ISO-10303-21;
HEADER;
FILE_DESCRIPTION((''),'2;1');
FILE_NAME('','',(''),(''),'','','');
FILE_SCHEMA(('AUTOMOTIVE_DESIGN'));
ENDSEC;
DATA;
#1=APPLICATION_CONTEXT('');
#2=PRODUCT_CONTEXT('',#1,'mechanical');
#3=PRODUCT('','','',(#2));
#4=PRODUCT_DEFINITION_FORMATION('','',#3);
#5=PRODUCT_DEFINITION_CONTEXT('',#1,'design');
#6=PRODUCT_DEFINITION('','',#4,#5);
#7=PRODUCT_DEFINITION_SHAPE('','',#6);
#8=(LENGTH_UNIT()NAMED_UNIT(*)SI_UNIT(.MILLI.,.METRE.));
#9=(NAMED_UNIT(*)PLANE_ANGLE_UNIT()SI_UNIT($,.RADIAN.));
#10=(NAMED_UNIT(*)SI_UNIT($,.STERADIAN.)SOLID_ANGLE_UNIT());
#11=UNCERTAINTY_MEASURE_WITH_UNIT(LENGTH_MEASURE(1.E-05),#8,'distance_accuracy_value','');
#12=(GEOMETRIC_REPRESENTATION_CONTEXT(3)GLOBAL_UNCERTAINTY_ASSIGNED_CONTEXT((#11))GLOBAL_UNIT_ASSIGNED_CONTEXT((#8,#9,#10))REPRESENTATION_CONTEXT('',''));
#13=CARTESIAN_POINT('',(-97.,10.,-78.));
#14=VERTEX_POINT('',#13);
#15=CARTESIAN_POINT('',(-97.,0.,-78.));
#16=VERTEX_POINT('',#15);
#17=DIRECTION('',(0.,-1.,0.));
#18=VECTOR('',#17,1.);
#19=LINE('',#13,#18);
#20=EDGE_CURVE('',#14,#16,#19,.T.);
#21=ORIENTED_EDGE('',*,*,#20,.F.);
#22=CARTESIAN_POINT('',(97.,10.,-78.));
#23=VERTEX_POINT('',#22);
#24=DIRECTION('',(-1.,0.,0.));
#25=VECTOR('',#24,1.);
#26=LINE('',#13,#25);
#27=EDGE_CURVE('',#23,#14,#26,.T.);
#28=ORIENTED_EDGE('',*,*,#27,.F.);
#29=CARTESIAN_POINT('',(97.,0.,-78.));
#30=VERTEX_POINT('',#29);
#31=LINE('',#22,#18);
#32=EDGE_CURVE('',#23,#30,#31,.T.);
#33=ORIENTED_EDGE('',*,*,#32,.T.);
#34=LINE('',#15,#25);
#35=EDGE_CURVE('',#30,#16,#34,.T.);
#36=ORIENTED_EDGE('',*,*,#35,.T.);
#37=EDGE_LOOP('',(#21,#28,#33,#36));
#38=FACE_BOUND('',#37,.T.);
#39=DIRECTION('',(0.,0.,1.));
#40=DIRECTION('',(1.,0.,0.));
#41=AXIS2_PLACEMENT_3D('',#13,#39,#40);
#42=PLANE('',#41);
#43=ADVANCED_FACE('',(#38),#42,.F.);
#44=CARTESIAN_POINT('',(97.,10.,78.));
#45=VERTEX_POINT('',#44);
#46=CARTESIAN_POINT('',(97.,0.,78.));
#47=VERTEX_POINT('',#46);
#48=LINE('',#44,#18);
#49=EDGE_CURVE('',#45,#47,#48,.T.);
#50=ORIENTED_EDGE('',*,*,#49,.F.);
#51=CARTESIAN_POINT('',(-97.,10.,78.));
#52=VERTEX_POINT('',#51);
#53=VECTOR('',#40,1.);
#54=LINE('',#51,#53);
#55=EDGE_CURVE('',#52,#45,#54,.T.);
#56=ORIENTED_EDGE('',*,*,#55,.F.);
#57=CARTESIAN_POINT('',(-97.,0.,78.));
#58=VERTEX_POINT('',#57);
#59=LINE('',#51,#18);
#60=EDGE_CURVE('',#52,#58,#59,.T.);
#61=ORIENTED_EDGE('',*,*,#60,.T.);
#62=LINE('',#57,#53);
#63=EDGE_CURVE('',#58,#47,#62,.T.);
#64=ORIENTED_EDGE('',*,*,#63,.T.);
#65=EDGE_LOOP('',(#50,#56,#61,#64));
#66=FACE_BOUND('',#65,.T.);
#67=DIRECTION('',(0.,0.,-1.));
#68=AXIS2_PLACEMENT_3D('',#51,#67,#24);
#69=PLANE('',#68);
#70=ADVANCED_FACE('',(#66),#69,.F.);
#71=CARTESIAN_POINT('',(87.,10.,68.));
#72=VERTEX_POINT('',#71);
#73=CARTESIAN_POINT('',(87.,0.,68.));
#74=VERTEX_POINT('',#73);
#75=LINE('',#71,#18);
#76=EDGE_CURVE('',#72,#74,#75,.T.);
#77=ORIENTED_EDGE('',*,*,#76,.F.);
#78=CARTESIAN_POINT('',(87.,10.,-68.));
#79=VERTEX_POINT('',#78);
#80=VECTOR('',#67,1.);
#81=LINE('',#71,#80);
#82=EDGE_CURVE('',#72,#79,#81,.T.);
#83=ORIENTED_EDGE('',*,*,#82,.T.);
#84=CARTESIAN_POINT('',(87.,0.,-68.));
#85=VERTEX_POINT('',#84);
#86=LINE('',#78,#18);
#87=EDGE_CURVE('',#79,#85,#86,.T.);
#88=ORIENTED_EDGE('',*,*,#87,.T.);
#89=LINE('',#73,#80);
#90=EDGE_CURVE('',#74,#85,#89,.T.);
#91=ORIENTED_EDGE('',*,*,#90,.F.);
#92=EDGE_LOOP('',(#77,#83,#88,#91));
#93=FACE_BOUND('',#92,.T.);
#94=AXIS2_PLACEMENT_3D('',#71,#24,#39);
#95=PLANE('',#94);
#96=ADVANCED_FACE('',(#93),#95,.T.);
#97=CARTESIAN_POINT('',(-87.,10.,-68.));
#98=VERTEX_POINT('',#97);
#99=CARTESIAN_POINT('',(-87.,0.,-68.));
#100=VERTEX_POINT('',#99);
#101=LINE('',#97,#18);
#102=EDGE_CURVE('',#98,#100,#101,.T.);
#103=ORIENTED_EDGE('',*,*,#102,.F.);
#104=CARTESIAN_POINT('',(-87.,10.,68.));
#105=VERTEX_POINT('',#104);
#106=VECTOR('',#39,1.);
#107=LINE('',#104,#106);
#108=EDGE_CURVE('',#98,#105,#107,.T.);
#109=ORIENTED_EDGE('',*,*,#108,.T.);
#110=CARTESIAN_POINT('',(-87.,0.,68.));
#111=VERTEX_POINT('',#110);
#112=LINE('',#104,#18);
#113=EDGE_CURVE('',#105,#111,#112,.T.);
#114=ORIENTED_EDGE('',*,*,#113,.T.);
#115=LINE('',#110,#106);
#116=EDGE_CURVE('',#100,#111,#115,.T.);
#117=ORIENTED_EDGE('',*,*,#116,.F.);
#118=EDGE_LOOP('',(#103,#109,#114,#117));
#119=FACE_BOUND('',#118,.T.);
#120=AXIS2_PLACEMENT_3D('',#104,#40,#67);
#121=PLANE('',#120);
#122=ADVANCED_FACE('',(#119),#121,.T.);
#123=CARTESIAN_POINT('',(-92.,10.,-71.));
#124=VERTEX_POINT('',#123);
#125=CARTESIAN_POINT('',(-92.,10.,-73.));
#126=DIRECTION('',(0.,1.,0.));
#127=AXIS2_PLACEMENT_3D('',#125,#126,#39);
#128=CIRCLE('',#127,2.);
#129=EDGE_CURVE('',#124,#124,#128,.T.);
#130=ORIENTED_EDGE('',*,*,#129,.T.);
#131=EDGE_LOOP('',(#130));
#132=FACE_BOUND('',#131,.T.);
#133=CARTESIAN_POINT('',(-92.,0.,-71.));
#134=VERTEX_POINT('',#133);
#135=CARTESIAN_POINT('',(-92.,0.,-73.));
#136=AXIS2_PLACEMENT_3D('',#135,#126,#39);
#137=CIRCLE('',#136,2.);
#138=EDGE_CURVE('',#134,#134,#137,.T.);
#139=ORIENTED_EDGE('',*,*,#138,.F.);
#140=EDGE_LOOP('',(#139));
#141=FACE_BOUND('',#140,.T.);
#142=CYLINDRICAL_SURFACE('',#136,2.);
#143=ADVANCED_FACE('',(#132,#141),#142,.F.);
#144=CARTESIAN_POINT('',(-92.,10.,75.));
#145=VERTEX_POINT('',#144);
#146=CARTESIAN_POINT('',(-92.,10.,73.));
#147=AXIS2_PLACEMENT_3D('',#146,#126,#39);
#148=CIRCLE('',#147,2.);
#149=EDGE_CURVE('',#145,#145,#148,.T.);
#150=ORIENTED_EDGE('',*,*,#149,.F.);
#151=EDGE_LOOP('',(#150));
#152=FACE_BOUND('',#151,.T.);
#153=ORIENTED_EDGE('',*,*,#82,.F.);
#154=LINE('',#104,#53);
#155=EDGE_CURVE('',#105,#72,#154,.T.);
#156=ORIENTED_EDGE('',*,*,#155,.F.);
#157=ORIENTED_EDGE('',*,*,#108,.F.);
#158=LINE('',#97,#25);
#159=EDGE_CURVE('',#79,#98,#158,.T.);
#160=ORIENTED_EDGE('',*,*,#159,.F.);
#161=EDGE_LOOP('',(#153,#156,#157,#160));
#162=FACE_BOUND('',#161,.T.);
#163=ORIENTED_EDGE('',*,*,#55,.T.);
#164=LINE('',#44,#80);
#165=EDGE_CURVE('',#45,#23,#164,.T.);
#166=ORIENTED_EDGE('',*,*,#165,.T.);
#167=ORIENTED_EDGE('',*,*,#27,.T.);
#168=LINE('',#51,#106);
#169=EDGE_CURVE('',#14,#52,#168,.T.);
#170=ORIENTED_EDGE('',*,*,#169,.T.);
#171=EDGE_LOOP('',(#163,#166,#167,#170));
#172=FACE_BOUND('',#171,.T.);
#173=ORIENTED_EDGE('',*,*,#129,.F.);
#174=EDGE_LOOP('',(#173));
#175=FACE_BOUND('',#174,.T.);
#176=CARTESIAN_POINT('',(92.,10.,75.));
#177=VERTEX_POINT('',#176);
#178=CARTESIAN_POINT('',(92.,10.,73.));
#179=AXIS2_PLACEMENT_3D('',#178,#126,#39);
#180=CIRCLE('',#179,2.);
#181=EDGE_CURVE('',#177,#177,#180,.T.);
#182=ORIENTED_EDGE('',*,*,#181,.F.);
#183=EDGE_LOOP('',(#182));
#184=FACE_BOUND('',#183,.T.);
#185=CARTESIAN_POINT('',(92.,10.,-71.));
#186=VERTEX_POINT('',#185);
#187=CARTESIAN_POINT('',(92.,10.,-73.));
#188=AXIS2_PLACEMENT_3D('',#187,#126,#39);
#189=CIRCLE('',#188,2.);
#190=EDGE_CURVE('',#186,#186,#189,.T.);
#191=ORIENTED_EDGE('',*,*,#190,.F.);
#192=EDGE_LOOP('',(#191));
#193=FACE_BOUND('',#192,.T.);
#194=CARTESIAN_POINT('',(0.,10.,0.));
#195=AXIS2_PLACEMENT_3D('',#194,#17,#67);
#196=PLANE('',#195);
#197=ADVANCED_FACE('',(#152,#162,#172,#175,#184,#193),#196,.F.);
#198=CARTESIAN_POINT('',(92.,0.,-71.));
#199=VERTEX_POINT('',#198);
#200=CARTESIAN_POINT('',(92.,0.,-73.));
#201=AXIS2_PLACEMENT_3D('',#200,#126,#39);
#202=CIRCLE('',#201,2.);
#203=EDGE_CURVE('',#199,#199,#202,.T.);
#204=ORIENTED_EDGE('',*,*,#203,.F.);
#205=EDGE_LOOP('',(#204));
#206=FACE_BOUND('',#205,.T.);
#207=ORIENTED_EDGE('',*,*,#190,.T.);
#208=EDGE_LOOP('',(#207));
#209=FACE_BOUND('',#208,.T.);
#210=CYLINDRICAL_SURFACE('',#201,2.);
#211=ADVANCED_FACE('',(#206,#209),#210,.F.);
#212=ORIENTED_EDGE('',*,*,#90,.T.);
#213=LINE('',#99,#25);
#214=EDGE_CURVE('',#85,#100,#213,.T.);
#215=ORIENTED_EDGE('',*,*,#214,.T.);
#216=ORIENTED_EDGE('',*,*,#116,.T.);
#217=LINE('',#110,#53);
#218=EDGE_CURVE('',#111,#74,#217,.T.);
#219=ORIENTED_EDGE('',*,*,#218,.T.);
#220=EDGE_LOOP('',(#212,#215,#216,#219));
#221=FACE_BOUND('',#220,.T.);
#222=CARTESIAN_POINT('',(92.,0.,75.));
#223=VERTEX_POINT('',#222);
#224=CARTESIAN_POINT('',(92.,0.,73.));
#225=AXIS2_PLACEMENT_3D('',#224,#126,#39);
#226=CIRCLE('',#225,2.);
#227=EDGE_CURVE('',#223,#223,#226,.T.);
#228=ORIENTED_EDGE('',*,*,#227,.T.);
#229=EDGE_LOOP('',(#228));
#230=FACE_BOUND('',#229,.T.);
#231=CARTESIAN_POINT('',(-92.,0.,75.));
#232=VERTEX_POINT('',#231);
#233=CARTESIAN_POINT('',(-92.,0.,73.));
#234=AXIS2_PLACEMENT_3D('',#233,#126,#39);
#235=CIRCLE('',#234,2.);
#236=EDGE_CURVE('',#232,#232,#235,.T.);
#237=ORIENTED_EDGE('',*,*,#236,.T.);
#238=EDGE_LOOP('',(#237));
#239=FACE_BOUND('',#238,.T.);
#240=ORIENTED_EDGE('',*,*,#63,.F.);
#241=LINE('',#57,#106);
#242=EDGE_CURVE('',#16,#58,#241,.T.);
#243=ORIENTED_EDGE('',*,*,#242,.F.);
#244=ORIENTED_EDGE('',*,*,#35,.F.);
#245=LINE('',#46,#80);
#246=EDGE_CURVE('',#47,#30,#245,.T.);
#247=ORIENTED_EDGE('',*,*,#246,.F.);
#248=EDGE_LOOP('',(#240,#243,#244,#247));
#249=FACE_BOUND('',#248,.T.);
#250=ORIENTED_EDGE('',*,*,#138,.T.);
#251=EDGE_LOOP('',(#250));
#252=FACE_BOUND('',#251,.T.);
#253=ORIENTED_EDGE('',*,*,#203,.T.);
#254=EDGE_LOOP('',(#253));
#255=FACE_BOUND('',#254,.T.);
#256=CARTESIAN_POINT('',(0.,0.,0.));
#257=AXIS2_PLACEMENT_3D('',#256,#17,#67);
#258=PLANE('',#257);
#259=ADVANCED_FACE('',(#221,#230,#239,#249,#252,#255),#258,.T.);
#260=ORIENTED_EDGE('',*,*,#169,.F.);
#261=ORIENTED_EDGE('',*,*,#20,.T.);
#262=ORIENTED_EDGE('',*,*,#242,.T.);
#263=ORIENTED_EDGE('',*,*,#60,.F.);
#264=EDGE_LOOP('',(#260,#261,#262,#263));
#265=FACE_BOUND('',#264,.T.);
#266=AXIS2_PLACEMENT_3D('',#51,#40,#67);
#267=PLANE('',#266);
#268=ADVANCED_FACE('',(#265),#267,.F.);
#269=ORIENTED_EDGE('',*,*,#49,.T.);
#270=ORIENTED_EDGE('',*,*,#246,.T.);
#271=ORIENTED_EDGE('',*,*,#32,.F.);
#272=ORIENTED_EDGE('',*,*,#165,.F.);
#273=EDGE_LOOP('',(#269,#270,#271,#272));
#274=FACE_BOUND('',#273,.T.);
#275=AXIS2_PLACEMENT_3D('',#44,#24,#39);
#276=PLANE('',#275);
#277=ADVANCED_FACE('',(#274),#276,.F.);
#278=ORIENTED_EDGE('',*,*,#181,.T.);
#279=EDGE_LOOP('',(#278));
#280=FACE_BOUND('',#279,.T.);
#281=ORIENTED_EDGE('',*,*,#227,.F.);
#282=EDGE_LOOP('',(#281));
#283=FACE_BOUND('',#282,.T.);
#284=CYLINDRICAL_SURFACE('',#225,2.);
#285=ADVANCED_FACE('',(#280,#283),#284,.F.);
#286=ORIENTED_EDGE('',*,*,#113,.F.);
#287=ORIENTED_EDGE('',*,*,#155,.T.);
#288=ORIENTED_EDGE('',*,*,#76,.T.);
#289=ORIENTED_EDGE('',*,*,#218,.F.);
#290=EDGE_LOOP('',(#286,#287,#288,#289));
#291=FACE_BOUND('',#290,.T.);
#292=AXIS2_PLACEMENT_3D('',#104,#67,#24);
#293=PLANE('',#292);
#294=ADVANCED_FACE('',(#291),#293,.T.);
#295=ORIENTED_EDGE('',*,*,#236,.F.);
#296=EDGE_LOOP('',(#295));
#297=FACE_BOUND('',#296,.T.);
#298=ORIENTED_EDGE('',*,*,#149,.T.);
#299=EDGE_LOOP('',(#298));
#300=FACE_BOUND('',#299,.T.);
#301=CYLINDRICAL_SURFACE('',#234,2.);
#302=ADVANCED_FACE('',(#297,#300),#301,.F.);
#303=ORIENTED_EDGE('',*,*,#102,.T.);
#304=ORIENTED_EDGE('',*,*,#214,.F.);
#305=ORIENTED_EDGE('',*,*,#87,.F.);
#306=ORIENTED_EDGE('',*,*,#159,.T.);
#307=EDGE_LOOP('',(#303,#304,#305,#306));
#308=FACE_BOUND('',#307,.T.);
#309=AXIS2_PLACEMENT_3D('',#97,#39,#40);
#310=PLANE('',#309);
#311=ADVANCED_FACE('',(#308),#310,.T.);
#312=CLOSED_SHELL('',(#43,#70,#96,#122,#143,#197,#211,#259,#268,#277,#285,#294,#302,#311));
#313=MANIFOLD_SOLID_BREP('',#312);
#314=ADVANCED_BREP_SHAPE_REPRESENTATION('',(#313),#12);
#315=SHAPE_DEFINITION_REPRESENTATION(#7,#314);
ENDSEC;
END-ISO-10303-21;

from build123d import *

# Parameters (mm, degrees)
SKETCH1_W           = 194
SKETCH1_H           = 156
SKETCH1_W_2         = 174
SKETCH1_H_2         = 136
BOSS_EXTRUDE1_DEPTH = 10
SKETCH2_R           = 2
CUT_EXTRUDE1_DEPTH  = 10


with BuildPart() as part:
    # Sketch1 → Boss-Extrude1 (new body)
    with BuildSketch(Plane(origin=(0, 0, 0), x_dir=(1, 0, 0), z_dir=(0, 1, 0))):
        Rectangle(SKETCH1_W, SKETCH1_H)
        Rectangle(SKETCH1_W_2, SKETCH1_H_2, mode=Mode.SUBTRACT)
    extrude(amount=BOSS_EXTRUDE1_DEPTH)

    # Sketch2 → Cut-Extrude1 (cut)
    with BuildSketch(Plane(origin=(0, 10, 0), x_dir=(1, 0, 0), z_dir=(0, 1, 0))):
        with Locations(Location((-92, 73, 0), (0, 0, 270))):
            Circle(SKETCH2_R)
        with Locations(Location((-92, -73, 0), (0, 0, 270))):
            Circle(SKETCH2_R)
        with Locations(Location((92, -73, 0), (0, 0, 270))):
            Circle(SKETCH2_R)
        with Locations(Location((92, 73, 0), (0, 0, 270))):
            Circle(SKETCH2_R)
    extrude(amount=-CUT_EXTRUDE1_DEPTH, mode=Mode.SUBTRACT)


solid = part.part
